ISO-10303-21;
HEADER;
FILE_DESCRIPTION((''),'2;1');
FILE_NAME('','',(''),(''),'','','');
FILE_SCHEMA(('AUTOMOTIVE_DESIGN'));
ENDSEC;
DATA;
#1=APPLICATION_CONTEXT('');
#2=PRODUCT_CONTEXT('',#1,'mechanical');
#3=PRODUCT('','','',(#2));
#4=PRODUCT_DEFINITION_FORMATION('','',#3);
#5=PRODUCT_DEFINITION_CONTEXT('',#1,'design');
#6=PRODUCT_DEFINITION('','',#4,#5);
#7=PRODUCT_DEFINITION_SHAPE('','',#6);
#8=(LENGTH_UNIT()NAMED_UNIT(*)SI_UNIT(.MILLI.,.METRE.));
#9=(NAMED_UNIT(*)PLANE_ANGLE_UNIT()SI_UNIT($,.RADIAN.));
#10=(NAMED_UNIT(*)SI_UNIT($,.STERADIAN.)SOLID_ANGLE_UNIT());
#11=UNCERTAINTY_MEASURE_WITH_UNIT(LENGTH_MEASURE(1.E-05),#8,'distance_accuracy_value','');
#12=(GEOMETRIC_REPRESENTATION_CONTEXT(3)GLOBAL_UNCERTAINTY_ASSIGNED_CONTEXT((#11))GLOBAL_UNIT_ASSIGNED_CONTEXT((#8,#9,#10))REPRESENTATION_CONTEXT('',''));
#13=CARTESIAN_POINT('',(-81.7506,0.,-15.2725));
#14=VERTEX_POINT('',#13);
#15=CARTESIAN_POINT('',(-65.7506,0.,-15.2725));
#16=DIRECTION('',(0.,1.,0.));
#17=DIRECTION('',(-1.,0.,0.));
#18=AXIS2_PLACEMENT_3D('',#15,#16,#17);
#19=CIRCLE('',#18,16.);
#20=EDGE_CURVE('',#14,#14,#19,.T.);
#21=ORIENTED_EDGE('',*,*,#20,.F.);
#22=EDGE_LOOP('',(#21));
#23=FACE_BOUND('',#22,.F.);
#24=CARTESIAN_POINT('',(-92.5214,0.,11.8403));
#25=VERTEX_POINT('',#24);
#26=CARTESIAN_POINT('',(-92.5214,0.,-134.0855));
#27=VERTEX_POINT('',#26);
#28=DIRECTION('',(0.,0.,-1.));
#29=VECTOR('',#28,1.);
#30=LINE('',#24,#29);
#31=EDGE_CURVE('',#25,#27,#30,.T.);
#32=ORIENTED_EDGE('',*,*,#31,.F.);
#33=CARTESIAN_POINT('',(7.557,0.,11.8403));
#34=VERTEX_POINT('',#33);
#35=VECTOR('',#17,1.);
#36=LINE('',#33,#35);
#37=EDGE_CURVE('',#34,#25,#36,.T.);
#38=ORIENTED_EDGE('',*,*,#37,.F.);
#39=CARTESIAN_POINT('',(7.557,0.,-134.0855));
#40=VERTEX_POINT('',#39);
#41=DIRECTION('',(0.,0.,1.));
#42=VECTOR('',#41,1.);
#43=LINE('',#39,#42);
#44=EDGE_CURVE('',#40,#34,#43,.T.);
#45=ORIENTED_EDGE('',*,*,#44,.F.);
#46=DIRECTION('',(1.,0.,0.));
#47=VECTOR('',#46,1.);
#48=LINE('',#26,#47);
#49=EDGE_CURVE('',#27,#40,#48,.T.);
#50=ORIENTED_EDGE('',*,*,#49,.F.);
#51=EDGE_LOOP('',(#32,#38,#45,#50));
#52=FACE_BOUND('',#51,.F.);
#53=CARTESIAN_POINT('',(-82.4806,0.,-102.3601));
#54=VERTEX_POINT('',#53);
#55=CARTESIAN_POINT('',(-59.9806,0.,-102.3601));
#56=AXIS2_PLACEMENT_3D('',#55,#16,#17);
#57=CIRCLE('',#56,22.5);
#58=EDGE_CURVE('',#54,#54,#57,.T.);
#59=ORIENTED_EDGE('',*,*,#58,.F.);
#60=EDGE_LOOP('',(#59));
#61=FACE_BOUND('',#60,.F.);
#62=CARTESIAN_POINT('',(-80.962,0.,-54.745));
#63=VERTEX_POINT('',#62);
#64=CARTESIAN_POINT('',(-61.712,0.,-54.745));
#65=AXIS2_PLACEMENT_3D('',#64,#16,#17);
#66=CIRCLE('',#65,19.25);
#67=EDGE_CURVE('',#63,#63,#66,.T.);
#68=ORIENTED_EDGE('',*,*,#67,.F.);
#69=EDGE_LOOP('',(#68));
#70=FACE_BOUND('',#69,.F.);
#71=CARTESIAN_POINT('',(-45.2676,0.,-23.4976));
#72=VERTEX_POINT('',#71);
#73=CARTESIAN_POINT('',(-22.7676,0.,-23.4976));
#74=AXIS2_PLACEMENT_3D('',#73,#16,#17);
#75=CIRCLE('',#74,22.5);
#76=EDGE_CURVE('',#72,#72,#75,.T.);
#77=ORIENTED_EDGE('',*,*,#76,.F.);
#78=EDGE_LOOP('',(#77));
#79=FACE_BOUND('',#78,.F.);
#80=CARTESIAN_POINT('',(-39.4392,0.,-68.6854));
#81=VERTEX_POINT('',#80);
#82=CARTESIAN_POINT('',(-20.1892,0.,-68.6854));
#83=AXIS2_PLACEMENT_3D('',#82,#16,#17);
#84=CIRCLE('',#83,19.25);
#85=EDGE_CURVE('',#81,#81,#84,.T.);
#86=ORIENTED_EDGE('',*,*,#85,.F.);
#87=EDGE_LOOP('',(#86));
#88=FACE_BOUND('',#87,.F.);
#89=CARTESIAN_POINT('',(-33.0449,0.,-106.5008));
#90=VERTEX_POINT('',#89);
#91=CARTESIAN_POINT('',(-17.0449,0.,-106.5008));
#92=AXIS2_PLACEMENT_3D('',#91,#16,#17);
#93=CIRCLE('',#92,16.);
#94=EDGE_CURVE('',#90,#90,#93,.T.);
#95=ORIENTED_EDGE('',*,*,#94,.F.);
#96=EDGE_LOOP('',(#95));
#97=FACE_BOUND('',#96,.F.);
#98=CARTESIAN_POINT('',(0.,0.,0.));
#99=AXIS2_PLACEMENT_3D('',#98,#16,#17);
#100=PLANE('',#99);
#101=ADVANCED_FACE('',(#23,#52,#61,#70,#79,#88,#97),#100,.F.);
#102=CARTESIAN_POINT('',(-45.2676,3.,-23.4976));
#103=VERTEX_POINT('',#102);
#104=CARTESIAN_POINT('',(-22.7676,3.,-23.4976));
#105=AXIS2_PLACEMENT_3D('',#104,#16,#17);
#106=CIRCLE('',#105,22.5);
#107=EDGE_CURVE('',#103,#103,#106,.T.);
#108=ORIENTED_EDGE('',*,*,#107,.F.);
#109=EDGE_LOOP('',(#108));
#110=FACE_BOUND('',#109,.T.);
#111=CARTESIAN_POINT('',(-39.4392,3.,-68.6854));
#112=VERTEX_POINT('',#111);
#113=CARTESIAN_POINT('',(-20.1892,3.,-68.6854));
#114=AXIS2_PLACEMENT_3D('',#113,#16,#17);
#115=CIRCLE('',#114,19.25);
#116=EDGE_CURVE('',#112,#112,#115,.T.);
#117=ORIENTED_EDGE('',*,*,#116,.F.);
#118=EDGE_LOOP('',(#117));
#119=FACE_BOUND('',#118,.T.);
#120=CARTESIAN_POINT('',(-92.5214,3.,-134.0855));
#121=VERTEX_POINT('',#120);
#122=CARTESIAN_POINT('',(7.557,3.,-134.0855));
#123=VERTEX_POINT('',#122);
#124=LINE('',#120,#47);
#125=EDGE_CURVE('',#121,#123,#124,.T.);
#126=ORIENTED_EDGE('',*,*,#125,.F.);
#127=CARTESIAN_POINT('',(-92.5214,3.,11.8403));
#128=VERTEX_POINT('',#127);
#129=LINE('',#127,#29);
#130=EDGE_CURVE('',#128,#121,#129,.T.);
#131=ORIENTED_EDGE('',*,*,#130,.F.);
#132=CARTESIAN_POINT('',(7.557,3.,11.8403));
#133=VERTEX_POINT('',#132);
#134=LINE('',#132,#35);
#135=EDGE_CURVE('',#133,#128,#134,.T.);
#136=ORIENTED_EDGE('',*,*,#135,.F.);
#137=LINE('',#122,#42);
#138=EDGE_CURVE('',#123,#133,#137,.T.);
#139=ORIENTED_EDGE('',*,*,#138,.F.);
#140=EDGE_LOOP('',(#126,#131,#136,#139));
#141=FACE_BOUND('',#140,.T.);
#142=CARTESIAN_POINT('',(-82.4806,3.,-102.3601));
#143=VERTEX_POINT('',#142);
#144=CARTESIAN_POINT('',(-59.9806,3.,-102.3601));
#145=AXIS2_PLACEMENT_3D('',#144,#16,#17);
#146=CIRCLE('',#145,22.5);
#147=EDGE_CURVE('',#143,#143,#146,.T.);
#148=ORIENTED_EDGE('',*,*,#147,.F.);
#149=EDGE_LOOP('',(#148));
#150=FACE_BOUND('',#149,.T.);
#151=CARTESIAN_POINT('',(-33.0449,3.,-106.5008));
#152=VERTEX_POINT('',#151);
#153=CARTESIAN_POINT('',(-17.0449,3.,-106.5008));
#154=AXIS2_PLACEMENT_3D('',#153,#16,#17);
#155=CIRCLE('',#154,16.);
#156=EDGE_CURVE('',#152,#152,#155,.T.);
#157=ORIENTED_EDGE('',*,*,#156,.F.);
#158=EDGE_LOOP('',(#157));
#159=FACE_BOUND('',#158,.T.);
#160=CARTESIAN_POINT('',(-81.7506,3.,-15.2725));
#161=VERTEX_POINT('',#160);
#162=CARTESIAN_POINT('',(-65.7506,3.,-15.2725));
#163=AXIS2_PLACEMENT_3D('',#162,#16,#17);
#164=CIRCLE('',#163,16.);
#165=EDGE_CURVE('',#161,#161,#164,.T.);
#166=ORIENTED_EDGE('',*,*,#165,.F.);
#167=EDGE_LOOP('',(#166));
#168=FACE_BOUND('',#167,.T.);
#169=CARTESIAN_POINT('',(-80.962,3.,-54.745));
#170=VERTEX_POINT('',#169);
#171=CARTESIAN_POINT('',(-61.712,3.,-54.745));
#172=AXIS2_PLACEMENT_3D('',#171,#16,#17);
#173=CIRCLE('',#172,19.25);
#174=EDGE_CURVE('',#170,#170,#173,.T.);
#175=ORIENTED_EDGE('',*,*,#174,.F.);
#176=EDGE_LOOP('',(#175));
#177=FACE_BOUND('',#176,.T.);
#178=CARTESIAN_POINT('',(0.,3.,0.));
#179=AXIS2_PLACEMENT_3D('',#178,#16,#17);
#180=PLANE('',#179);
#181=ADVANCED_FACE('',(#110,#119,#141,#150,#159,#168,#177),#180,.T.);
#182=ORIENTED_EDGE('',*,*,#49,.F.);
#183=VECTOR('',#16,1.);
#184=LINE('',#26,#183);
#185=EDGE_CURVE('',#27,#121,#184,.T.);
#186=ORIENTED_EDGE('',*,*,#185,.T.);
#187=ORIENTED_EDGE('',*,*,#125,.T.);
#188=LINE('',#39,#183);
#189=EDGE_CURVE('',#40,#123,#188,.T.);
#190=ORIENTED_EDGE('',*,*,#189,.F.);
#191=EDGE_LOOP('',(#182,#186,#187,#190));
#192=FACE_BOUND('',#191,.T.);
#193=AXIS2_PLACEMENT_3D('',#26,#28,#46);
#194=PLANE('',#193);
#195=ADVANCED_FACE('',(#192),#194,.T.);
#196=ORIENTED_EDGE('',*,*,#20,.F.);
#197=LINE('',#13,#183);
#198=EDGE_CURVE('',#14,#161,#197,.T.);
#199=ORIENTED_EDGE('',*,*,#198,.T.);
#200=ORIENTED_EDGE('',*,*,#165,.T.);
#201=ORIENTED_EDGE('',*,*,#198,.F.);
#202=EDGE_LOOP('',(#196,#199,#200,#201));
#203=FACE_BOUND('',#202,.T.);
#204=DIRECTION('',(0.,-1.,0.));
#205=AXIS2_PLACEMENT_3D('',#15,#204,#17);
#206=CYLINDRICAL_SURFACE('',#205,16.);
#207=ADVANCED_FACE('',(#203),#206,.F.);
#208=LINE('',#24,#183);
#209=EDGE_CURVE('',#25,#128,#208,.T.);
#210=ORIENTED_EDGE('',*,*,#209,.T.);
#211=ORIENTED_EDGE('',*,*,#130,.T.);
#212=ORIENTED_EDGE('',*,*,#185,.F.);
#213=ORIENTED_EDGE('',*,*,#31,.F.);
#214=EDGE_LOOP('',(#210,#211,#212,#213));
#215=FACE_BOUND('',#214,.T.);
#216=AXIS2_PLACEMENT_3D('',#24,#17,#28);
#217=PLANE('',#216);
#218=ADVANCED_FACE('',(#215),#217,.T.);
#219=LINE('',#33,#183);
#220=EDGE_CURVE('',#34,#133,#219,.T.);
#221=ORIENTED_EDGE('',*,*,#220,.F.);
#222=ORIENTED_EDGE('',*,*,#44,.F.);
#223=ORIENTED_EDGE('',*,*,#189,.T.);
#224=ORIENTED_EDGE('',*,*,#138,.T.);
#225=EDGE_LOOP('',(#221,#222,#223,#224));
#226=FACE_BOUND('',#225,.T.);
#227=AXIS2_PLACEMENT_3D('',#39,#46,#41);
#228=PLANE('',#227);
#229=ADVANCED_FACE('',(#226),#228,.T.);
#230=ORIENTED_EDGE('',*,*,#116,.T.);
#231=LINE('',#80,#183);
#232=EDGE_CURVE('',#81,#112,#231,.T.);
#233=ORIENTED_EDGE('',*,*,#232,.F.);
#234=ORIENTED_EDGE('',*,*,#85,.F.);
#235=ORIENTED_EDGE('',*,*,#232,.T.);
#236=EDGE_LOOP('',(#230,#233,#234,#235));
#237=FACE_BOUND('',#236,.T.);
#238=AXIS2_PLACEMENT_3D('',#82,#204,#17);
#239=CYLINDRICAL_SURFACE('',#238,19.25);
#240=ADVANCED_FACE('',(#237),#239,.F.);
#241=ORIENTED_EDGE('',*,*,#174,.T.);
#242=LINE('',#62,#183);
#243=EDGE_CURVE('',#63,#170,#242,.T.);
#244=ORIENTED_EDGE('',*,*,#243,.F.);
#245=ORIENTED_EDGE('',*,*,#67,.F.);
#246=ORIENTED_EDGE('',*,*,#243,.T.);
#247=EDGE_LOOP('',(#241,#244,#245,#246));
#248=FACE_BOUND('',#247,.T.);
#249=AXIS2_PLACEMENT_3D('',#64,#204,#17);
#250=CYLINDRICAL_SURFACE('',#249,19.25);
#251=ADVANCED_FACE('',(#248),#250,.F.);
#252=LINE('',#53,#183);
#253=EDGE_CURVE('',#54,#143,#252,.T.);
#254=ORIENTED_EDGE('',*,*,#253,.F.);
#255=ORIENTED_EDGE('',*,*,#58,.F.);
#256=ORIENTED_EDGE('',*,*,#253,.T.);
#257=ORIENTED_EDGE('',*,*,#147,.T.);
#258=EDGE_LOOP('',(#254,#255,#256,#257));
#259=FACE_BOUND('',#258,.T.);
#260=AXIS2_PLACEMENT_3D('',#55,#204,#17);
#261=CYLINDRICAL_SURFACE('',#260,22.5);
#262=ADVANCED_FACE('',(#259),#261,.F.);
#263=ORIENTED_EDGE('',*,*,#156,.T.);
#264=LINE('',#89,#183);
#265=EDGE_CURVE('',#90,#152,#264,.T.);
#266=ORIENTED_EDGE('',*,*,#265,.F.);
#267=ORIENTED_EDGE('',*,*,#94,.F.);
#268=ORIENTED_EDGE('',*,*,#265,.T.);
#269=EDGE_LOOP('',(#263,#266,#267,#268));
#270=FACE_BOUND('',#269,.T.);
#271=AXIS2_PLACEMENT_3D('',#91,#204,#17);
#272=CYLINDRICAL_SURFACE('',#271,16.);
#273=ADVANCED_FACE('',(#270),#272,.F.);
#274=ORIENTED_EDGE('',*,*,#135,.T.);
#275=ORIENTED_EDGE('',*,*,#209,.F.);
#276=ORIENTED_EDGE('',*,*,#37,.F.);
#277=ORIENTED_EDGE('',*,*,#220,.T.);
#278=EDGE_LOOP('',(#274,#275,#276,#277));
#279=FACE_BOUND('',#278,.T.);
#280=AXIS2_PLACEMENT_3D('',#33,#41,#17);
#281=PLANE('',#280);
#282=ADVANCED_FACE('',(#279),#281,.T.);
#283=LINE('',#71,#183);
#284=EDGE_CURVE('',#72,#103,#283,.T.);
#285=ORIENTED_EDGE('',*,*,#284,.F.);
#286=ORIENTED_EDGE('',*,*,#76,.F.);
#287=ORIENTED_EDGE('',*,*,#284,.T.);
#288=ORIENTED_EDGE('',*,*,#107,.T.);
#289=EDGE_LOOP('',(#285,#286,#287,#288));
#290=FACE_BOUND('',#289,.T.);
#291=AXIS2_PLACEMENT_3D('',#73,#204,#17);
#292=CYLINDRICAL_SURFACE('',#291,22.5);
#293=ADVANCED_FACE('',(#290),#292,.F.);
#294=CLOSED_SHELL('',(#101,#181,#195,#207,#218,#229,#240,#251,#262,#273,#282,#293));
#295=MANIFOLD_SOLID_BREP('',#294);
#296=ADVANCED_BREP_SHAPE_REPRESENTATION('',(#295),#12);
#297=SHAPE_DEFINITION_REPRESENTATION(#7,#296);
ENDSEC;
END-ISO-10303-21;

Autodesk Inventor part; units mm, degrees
ref_plane "YZ Plane" through (0, 0, 0) normal (1, 0, 0) x (0, 1, 0)
ref_plane "XZ Plane" through (0, 0, 0) normal (0, 1, 0) x (-1, 0, 0)
ref_plane "XY Plane" through (0, 0, 0) normal (0, 0, 1) x (1, 0, 0)
sketch "Sketch1" plane through (0, 0, 0) normal (0, 1, 0) x (-1, 0, 0)
  circle A0 centre (59.9806, -102.3601) radius 22.5
  circle A1 centre (61.712, -54.745) radius 19.25
  circle A2 centre (65.7506, -15.2725) radius 16
  circle A3 centre (22.7676, -23.4976) radius 22.5
  circle A4 centre (20.1892, -68.6854) radius 19.25
  circle A5 centre (17.0449, -106.5008) radius 16
  line L0 (-7.557, 11.8403) -> (92.5214, 11.8403)
  line L1 (92.5214, 11.8403) -> (92.5214, -134.0855)
  line L2 (92.5214, -134.0855) -> (-7.557, -134.0855)
  line L3 (-7.557, -134.0855) -> (-7.557, 11.8403)
  point P0 (0, 0)
extrude "Extrusion1" add sketch "Sketch1" along normal blind 3
properties part number "Center"
